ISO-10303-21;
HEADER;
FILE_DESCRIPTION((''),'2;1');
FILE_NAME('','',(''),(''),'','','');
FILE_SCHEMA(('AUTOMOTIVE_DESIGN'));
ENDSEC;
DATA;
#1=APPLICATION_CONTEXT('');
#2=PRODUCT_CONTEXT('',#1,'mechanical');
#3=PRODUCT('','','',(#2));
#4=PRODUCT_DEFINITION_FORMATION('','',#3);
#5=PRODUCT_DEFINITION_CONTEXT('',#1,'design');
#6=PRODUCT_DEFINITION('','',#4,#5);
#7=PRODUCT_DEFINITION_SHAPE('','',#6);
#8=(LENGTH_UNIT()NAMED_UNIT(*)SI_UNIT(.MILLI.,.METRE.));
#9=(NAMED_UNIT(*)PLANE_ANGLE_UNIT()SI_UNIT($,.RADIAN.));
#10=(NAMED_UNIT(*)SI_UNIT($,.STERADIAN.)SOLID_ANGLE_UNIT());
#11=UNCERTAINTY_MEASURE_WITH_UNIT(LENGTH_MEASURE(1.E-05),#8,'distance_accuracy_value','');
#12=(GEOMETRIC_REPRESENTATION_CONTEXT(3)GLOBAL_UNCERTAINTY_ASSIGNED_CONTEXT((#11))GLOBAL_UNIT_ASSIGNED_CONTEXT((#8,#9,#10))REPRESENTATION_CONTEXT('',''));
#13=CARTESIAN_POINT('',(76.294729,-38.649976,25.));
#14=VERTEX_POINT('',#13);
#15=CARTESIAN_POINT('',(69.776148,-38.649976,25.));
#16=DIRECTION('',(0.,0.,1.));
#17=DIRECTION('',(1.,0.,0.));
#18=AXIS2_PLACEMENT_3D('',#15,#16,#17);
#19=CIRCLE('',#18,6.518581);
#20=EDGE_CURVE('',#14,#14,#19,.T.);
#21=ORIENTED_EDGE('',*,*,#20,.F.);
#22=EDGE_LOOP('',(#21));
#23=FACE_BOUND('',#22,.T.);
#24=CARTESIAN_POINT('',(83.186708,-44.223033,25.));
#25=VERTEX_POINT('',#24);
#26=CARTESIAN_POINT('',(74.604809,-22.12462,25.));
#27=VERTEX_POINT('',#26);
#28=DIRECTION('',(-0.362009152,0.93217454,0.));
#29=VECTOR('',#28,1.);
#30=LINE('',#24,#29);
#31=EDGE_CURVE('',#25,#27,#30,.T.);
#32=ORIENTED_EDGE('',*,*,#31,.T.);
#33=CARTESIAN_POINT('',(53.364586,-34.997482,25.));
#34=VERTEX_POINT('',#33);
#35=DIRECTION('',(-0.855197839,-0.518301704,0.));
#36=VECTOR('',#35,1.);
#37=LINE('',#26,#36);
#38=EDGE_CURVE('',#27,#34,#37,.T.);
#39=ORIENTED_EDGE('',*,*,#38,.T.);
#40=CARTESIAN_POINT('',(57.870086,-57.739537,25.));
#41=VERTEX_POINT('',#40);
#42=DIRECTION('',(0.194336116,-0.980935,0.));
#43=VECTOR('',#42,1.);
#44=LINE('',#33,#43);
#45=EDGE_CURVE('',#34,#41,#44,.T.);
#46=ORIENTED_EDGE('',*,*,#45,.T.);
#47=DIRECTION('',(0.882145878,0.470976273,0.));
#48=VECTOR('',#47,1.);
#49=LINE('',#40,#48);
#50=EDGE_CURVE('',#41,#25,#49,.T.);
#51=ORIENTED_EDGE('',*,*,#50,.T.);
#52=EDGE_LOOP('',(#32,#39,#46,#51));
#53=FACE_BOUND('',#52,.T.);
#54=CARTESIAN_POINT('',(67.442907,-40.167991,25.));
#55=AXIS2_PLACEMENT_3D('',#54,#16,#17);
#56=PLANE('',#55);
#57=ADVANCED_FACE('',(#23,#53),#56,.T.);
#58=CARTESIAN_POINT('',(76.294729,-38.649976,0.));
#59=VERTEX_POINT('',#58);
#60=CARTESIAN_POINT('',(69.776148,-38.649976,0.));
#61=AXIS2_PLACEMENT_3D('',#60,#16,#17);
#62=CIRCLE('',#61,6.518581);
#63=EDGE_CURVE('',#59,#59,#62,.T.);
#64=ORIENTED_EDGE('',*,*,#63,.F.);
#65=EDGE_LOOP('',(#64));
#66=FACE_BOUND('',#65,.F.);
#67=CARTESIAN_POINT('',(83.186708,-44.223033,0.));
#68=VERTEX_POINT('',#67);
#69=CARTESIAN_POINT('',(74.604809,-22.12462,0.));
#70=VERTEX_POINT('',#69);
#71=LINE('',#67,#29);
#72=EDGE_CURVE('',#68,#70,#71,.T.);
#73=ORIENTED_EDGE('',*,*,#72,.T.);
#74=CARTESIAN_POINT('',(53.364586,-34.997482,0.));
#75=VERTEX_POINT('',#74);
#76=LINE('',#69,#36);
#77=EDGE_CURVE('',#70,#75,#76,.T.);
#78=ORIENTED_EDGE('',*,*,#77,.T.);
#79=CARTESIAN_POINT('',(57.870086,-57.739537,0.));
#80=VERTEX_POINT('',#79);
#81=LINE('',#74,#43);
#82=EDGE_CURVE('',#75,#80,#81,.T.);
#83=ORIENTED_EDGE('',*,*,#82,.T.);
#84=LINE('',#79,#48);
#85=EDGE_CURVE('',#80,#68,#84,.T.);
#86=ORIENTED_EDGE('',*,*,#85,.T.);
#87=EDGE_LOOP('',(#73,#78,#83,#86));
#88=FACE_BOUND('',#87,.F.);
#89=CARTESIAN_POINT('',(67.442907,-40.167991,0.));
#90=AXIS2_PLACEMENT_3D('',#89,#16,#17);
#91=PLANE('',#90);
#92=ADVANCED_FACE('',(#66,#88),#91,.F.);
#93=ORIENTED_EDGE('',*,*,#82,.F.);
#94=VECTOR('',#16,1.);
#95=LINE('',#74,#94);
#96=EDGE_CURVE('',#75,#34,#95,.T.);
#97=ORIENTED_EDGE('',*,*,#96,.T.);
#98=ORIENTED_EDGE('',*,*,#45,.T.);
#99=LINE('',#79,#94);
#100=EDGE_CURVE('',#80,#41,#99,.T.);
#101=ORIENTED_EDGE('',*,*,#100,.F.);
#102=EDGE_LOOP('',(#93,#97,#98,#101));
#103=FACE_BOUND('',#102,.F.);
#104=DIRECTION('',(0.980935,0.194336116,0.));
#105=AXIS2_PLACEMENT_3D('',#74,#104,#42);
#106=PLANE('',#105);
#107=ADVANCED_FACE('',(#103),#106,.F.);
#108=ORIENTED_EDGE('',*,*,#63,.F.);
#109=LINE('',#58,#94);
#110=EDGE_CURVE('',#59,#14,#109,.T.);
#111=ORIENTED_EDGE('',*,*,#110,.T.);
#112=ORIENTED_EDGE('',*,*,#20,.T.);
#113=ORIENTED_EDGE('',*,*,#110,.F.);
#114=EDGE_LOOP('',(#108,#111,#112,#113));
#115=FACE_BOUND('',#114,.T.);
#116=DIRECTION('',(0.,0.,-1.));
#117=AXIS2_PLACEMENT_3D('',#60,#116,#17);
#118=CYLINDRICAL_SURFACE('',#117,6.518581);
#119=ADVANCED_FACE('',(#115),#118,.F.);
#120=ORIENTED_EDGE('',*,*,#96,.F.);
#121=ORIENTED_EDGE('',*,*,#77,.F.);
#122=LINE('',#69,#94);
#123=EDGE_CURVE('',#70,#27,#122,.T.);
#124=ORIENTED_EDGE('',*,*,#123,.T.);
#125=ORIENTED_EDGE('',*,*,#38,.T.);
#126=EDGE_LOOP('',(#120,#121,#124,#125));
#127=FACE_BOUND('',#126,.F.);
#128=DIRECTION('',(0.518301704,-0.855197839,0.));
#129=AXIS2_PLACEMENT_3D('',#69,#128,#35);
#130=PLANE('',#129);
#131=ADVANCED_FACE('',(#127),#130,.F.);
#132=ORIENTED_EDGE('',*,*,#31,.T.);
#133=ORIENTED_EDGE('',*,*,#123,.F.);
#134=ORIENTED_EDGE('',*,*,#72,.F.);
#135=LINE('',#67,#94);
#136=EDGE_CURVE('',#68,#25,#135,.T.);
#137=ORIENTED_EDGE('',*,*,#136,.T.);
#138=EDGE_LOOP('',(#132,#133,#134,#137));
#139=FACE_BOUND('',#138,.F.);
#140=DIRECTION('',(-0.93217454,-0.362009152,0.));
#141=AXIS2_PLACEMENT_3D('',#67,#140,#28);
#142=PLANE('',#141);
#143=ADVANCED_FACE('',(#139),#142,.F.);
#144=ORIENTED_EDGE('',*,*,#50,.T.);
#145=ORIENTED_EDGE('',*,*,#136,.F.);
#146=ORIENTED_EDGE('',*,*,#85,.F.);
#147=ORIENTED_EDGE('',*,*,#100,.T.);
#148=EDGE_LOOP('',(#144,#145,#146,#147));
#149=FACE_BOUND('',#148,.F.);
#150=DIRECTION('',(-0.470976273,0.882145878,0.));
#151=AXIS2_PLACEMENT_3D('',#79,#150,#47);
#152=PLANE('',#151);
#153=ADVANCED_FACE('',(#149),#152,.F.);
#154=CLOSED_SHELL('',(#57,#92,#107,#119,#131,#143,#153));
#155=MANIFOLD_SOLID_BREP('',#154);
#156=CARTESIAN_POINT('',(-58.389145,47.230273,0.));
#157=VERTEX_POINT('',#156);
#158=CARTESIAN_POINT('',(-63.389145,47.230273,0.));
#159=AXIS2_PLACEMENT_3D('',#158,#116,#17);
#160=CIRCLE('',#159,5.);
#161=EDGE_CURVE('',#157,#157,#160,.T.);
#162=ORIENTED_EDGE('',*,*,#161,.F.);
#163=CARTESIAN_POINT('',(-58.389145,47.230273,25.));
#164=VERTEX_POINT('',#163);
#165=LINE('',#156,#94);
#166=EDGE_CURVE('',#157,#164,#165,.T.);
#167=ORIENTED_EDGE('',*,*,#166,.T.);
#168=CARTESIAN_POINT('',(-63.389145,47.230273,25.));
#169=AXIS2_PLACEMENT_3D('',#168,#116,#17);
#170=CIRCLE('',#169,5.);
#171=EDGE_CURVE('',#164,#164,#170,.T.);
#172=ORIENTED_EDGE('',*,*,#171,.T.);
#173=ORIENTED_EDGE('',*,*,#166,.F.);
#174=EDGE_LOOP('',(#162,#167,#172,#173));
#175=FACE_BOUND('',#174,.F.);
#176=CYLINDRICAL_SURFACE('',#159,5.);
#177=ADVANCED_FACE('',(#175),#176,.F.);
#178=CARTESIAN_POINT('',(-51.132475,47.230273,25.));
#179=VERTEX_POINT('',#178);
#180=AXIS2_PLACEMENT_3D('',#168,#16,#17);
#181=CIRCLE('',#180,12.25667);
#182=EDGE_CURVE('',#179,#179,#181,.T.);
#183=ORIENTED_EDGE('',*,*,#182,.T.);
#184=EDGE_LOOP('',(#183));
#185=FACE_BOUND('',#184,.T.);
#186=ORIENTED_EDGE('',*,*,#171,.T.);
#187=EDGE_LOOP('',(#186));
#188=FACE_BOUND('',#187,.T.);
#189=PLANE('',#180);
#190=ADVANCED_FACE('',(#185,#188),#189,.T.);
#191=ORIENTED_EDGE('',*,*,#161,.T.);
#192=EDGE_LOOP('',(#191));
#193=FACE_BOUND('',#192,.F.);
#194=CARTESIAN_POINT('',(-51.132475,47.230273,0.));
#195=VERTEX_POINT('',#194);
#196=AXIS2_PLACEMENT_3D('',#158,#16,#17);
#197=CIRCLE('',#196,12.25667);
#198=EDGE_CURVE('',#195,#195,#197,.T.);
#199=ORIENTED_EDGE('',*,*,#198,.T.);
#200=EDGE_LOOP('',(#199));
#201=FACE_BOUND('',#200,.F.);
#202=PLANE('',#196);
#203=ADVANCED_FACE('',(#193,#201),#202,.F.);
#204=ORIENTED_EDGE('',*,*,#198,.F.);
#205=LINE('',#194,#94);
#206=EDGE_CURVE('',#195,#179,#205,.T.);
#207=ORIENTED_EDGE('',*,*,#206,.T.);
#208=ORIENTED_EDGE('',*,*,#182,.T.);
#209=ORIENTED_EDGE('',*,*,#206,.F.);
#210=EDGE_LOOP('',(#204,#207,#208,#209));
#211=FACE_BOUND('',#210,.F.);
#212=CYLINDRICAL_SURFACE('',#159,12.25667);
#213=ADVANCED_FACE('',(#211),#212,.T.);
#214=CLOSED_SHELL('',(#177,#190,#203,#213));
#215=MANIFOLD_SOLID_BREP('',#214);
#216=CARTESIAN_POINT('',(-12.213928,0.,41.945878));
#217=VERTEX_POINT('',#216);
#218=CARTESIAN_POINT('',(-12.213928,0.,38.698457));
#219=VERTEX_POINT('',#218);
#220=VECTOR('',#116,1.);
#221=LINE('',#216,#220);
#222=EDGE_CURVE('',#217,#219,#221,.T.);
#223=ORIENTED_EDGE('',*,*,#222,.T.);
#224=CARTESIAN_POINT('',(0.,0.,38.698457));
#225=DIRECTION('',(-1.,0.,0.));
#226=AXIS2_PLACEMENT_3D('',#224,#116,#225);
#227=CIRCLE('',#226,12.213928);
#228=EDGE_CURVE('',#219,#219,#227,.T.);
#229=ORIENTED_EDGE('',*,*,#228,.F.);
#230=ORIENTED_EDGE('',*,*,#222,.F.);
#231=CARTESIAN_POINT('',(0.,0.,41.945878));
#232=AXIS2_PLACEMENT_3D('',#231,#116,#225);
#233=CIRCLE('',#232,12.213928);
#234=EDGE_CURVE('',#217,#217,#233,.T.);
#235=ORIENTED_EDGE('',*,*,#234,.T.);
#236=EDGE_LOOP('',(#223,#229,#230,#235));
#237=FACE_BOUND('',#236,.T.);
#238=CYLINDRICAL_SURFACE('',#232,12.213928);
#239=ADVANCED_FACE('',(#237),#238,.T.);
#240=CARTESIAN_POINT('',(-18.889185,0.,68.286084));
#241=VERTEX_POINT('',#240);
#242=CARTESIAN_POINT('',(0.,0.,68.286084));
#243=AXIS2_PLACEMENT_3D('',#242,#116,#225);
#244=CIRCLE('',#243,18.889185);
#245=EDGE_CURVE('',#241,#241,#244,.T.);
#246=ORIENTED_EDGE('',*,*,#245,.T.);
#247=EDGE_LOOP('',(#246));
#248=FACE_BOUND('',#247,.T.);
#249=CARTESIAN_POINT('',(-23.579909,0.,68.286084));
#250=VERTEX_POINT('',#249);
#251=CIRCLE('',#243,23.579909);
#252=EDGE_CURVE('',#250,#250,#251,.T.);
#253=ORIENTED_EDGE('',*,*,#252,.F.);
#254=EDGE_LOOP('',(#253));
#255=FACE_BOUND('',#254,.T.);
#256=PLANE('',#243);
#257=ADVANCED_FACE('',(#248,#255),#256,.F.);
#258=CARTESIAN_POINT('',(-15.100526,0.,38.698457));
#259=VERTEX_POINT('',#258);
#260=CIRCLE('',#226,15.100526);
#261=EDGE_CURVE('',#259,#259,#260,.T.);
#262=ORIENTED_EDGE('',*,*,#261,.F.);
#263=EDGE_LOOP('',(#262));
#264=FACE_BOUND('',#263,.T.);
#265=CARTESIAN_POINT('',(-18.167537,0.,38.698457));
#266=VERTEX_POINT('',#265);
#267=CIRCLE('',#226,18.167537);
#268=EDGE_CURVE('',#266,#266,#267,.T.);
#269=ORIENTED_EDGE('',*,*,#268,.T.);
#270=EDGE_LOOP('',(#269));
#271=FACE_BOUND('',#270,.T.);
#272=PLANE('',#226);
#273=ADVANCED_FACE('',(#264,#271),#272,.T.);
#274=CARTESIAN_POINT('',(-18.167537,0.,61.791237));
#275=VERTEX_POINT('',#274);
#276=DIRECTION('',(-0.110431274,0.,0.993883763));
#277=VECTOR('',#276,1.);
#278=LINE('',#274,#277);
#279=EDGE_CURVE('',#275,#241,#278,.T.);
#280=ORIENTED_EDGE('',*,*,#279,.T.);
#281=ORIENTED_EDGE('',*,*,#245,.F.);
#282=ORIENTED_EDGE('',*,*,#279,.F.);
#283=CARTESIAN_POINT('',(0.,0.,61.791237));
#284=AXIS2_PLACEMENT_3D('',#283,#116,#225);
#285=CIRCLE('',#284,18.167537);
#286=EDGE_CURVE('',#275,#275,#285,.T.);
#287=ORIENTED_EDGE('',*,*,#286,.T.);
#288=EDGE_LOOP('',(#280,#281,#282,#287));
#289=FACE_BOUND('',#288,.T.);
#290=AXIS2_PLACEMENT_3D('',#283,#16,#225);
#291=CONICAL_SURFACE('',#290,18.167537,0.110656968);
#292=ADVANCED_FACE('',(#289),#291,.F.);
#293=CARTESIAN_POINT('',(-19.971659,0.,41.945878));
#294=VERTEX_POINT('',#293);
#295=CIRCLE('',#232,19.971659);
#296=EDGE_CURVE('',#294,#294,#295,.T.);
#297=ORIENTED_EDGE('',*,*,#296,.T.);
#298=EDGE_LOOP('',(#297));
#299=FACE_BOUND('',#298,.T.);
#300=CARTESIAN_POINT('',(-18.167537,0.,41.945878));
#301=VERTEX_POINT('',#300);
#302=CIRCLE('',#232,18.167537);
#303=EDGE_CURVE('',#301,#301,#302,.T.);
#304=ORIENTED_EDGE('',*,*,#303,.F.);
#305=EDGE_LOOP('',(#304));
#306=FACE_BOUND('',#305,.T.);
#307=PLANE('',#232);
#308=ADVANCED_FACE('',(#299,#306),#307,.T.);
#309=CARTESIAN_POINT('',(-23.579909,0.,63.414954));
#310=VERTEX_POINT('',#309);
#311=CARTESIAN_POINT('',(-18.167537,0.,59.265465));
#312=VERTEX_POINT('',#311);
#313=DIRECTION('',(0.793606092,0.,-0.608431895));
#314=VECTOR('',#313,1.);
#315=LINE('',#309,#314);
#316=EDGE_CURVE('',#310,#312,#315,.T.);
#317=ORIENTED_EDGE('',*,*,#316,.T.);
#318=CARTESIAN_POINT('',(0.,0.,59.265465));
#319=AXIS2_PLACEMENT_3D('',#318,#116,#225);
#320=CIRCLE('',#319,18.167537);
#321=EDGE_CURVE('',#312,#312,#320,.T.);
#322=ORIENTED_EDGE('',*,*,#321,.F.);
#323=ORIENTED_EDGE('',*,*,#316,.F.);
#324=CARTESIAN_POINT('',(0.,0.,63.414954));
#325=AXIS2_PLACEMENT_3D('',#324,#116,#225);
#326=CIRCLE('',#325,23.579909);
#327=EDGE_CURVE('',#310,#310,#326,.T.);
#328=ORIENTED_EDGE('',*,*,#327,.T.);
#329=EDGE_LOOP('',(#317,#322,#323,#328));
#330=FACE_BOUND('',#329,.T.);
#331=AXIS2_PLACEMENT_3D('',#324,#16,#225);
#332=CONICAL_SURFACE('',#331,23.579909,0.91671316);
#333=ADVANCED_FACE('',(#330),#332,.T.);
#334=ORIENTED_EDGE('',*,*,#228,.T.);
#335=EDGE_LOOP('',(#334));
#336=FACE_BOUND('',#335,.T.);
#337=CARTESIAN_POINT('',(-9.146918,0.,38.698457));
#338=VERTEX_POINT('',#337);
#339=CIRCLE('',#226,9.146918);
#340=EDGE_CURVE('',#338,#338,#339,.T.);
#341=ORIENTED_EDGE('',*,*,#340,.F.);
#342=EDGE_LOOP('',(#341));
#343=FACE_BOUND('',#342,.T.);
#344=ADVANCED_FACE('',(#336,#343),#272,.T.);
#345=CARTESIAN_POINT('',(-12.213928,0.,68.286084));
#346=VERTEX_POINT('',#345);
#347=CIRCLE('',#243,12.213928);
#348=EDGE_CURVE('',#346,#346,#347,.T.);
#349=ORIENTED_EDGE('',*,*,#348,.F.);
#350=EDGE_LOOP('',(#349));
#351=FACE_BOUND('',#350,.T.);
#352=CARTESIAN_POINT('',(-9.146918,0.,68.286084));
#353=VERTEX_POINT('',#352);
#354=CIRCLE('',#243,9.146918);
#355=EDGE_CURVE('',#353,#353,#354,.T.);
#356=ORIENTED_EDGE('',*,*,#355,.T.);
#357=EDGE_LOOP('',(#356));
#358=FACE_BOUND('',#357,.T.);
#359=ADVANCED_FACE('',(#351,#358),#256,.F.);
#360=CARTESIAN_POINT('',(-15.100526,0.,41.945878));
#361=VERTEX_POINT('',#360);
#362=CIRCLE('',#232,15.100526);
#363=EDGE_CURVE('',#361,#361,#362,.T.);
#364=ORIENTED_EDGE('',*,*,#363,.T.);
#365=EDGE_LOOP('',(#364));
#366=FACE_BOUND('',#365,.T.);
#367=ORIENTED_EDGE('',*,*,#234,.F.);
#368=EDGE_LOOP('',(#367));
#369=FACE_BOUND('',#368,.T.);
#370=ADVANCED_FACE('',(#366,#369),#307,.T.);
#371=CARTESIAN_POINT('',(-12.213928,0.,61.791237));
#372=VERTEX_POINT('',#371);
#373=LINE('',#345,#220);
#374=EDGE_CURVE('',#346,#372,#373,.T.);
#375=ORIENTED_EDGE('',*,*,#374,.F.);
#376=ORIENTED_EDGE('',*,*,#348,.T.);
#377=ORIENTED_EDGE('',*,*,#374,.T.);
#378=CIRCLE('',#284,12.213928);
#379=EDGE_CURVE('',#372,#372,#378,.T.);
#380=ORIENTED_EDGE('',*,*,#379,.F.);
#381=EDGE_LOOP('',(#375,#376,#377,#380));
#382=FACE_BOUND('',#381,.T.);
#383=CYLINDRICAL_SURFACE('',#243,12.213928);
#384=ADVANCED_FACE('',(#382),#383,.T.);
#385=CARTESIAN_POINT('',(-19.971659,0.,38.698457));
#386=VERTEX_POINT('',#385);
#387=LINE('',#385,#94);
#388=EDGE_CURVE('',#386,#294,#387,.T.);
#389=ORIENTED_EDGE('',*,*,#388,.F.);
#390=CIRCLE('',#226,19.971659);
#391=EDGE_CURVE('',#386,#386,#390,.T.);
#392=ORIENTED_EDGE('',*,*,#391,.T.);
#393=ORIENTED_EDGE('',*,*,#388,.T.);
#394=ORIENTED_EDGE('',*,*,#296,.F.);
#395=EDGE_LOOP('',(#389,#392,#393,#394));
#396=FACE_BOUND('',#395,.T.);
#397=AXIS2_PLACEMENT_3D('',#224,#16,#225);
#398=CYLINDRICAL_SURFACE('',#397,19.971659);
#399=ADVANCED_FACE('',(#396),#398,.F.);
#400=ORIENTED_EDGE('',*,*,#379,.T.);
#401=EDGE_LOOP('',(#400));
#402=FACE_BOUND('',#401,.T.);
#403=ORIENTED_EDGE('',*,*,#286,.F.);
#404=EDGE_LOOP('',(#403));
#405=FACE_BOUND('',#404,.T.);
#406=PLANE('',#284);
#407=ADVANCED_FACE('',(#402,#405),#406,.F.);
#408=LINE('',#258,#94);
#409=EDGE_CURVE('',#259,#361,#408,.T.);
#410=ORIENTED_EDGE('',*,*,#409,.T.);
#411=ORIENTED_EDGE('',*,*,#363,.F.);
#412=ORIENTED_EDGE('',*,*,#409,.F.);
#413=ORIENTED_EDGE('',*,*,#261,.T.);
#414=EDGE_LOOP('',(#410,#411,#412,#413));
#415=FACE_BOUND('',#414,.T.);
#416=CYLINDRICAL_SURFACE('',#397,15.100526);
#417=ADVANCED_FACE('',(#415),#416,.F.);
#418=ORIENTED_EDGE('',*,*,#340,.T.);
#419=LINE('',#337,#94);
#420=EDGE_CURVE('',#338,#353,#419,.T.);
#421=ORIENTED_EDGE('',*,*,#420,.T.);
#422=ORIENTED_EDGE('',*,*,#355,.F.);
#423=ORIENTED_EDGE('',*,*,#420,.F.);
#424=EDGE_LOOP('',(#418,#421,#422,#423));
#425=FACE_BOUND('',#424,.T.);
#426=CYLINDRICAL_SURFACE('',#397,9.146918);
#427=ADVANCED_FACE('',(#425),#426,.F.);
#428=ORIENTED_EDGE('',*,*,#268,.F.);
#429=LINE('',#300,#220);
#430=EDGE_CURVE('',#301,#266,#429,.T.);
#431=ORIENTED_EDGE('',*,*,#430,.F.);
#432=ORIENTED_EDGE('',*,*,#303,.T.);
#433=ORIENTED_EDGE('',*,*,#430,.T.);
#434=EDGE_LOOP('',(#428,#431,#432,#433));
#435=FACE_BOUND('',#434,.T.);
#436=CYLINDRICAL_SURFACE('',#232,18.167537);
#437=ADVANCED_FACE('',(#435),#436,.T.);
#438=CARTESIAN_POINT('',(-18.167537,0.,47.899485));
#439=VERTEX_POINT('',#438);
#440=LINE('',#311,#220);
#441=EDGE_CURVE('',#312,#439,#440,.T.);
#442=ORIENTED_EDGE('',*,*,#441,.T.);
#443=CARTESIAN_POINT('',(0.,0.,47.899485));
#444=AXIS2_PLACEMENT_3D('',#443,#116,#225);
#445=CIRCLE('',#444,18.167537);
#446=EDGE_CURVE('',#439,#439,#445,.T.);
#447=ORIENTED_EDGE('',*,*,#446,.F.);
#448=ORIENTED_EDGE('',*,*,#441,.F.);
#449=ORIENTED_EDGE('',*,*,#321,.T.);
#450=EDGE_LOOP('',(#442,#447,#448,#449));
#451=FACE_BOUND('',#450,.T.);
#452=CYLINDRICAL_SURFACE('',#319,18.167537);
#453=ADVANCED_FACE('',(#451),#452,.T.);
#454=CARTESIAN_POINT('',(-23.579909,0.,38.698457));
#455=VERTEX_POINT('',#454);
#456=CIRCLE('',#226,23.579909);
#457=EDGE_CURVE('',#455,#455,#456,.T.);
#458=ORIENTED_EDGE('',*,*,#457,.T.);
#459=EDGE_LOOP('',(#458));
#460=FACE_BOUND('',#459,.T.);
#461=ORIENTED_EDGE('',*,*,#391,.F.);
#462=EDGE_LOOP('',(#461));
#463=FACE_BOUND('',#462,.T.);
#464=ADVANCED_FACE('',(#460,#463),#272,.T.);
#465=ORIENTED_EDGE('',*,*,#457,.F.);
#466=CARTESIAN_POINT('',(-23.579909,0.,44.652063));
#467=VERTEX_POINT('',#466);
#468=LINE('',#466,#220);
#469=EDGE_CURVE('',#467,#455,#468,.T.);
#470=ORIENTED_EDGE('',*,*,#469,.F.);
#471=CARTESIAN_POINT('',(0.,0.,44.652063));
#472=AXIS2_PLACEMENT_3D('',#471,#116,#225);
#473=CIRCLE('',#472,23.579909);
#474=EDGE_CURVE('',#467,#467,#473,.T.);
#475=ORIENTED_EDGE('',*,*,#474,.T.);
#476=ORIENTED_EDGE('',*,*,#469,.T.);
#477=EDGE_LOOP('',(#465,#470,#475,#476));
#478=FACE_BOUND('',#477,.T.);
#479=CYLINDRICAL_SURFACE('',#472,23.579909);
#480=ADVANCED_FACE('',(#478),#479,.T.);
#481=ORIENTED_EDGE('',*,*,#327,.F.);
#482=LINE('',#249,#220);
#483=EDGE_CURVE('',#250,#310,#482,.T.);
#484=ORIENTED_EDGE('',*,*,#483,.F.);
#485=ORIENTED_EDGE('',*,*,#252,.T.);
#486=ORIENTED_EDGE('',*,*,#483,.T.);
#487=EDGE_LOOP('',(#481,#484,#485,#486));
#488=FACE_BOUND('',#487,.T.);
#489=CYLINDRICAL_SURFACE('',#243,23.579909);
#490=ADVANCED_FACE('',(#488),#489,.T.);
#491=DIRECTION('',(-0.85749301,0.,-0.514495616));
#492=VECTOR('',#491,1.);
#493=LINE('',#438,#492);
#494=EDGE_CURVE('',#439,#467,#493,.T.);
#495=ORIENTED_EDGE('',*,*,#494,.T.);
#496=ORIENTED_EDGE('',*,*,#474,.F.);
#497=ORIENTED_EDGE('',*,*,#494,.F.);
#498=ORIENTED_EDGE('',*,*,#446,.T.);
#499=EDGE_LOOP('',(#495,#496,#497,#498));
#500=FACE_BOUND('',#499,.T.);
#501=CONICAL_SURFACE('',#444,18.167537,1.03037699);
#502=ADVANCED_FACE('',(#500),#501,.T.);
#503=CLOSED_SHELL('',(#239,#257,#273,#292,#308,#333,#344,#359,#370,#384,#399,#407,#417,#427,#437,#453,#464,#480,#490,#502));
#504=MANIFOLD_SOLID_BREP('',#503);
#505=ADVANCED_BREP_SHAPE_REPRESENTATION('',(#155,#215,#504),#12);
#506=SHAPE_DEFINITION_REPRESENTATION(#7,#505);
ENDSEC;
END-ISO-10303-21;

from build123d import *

# Parameters (mm, degrees)
F0_R     = 12.25667
F1_DEPTH = 25
F4_R     = 5
F5_DEPTH = 25
F6_R     = 6.518581
F7_DEPTH = 25


with BuildPart() as f1:
    # F0 (on Top) → F1 (new body)
    with BuildSketch(Plane.XY):
        with Locations((-63.389145, 47.230273)):
            Circle(F0_R)
    extrude(amount=F1_DEPTH)

    # F4 (on face) → F5 (cut, through all)
    with BuildSketch(Plane(origin=(0, 0, 0), x_dir=(1, 0, 0), z_dir=(0, 0, -1))):
        with Locations((-63.389145, -47.230273)):
            Circle(F4_R)
    extrude(amount=-F5_DEPTH, mode=Mode.SUBTRACT)


with BuildPart() as f3:
    # F2 (on Front) → F3 (revolve)
    with BuildSketch(Plane.XZ):
        Polygon((-18.167537, 61.791237), (-18.889185, 68.286084), (-23.579909, 68.286084), (-23.579909, 63.414954), (-18.167537, 59.265465), (-18.167537, 47.899485), (-23.579909, 44.652063), (-23.579909, 38.698457), (-19.971659, 38.698457), (-19.971659, 41.945878), (-18.167537, 41.945878), (-18.167537, 38.698457), (-15.100526, 38.698457), (-15.100526, 41.945878), (-12.213928, 41.945878), (-12.213928, 38.698457), (-9.146918, 38.698457), (-9.146918, 68.286084), (-12.213928, 68.286084), (-12.213928, 61.791237), align=None)
    revolve(axis=Axis((0, 0, 53.131446), (0, 0, -1)))


with BuildPart() as f7:
    # F6 (on Top) → F7 (new body)
    with BuildSketch(Plane.XY):
        Polygon((83.186708, -44.223033), (74.604809, -22.12462), (53.364586, -34.997482), (57.870086, -57.739537), align=None)
        with Locations((69.776148, -38.649976)):
            Circle(F6_R, mode=Mode.SUBTRACT)
    extrude(amount=F7_DEPTH)


solid = Compound([f1.part, f3.part, f7.part])
